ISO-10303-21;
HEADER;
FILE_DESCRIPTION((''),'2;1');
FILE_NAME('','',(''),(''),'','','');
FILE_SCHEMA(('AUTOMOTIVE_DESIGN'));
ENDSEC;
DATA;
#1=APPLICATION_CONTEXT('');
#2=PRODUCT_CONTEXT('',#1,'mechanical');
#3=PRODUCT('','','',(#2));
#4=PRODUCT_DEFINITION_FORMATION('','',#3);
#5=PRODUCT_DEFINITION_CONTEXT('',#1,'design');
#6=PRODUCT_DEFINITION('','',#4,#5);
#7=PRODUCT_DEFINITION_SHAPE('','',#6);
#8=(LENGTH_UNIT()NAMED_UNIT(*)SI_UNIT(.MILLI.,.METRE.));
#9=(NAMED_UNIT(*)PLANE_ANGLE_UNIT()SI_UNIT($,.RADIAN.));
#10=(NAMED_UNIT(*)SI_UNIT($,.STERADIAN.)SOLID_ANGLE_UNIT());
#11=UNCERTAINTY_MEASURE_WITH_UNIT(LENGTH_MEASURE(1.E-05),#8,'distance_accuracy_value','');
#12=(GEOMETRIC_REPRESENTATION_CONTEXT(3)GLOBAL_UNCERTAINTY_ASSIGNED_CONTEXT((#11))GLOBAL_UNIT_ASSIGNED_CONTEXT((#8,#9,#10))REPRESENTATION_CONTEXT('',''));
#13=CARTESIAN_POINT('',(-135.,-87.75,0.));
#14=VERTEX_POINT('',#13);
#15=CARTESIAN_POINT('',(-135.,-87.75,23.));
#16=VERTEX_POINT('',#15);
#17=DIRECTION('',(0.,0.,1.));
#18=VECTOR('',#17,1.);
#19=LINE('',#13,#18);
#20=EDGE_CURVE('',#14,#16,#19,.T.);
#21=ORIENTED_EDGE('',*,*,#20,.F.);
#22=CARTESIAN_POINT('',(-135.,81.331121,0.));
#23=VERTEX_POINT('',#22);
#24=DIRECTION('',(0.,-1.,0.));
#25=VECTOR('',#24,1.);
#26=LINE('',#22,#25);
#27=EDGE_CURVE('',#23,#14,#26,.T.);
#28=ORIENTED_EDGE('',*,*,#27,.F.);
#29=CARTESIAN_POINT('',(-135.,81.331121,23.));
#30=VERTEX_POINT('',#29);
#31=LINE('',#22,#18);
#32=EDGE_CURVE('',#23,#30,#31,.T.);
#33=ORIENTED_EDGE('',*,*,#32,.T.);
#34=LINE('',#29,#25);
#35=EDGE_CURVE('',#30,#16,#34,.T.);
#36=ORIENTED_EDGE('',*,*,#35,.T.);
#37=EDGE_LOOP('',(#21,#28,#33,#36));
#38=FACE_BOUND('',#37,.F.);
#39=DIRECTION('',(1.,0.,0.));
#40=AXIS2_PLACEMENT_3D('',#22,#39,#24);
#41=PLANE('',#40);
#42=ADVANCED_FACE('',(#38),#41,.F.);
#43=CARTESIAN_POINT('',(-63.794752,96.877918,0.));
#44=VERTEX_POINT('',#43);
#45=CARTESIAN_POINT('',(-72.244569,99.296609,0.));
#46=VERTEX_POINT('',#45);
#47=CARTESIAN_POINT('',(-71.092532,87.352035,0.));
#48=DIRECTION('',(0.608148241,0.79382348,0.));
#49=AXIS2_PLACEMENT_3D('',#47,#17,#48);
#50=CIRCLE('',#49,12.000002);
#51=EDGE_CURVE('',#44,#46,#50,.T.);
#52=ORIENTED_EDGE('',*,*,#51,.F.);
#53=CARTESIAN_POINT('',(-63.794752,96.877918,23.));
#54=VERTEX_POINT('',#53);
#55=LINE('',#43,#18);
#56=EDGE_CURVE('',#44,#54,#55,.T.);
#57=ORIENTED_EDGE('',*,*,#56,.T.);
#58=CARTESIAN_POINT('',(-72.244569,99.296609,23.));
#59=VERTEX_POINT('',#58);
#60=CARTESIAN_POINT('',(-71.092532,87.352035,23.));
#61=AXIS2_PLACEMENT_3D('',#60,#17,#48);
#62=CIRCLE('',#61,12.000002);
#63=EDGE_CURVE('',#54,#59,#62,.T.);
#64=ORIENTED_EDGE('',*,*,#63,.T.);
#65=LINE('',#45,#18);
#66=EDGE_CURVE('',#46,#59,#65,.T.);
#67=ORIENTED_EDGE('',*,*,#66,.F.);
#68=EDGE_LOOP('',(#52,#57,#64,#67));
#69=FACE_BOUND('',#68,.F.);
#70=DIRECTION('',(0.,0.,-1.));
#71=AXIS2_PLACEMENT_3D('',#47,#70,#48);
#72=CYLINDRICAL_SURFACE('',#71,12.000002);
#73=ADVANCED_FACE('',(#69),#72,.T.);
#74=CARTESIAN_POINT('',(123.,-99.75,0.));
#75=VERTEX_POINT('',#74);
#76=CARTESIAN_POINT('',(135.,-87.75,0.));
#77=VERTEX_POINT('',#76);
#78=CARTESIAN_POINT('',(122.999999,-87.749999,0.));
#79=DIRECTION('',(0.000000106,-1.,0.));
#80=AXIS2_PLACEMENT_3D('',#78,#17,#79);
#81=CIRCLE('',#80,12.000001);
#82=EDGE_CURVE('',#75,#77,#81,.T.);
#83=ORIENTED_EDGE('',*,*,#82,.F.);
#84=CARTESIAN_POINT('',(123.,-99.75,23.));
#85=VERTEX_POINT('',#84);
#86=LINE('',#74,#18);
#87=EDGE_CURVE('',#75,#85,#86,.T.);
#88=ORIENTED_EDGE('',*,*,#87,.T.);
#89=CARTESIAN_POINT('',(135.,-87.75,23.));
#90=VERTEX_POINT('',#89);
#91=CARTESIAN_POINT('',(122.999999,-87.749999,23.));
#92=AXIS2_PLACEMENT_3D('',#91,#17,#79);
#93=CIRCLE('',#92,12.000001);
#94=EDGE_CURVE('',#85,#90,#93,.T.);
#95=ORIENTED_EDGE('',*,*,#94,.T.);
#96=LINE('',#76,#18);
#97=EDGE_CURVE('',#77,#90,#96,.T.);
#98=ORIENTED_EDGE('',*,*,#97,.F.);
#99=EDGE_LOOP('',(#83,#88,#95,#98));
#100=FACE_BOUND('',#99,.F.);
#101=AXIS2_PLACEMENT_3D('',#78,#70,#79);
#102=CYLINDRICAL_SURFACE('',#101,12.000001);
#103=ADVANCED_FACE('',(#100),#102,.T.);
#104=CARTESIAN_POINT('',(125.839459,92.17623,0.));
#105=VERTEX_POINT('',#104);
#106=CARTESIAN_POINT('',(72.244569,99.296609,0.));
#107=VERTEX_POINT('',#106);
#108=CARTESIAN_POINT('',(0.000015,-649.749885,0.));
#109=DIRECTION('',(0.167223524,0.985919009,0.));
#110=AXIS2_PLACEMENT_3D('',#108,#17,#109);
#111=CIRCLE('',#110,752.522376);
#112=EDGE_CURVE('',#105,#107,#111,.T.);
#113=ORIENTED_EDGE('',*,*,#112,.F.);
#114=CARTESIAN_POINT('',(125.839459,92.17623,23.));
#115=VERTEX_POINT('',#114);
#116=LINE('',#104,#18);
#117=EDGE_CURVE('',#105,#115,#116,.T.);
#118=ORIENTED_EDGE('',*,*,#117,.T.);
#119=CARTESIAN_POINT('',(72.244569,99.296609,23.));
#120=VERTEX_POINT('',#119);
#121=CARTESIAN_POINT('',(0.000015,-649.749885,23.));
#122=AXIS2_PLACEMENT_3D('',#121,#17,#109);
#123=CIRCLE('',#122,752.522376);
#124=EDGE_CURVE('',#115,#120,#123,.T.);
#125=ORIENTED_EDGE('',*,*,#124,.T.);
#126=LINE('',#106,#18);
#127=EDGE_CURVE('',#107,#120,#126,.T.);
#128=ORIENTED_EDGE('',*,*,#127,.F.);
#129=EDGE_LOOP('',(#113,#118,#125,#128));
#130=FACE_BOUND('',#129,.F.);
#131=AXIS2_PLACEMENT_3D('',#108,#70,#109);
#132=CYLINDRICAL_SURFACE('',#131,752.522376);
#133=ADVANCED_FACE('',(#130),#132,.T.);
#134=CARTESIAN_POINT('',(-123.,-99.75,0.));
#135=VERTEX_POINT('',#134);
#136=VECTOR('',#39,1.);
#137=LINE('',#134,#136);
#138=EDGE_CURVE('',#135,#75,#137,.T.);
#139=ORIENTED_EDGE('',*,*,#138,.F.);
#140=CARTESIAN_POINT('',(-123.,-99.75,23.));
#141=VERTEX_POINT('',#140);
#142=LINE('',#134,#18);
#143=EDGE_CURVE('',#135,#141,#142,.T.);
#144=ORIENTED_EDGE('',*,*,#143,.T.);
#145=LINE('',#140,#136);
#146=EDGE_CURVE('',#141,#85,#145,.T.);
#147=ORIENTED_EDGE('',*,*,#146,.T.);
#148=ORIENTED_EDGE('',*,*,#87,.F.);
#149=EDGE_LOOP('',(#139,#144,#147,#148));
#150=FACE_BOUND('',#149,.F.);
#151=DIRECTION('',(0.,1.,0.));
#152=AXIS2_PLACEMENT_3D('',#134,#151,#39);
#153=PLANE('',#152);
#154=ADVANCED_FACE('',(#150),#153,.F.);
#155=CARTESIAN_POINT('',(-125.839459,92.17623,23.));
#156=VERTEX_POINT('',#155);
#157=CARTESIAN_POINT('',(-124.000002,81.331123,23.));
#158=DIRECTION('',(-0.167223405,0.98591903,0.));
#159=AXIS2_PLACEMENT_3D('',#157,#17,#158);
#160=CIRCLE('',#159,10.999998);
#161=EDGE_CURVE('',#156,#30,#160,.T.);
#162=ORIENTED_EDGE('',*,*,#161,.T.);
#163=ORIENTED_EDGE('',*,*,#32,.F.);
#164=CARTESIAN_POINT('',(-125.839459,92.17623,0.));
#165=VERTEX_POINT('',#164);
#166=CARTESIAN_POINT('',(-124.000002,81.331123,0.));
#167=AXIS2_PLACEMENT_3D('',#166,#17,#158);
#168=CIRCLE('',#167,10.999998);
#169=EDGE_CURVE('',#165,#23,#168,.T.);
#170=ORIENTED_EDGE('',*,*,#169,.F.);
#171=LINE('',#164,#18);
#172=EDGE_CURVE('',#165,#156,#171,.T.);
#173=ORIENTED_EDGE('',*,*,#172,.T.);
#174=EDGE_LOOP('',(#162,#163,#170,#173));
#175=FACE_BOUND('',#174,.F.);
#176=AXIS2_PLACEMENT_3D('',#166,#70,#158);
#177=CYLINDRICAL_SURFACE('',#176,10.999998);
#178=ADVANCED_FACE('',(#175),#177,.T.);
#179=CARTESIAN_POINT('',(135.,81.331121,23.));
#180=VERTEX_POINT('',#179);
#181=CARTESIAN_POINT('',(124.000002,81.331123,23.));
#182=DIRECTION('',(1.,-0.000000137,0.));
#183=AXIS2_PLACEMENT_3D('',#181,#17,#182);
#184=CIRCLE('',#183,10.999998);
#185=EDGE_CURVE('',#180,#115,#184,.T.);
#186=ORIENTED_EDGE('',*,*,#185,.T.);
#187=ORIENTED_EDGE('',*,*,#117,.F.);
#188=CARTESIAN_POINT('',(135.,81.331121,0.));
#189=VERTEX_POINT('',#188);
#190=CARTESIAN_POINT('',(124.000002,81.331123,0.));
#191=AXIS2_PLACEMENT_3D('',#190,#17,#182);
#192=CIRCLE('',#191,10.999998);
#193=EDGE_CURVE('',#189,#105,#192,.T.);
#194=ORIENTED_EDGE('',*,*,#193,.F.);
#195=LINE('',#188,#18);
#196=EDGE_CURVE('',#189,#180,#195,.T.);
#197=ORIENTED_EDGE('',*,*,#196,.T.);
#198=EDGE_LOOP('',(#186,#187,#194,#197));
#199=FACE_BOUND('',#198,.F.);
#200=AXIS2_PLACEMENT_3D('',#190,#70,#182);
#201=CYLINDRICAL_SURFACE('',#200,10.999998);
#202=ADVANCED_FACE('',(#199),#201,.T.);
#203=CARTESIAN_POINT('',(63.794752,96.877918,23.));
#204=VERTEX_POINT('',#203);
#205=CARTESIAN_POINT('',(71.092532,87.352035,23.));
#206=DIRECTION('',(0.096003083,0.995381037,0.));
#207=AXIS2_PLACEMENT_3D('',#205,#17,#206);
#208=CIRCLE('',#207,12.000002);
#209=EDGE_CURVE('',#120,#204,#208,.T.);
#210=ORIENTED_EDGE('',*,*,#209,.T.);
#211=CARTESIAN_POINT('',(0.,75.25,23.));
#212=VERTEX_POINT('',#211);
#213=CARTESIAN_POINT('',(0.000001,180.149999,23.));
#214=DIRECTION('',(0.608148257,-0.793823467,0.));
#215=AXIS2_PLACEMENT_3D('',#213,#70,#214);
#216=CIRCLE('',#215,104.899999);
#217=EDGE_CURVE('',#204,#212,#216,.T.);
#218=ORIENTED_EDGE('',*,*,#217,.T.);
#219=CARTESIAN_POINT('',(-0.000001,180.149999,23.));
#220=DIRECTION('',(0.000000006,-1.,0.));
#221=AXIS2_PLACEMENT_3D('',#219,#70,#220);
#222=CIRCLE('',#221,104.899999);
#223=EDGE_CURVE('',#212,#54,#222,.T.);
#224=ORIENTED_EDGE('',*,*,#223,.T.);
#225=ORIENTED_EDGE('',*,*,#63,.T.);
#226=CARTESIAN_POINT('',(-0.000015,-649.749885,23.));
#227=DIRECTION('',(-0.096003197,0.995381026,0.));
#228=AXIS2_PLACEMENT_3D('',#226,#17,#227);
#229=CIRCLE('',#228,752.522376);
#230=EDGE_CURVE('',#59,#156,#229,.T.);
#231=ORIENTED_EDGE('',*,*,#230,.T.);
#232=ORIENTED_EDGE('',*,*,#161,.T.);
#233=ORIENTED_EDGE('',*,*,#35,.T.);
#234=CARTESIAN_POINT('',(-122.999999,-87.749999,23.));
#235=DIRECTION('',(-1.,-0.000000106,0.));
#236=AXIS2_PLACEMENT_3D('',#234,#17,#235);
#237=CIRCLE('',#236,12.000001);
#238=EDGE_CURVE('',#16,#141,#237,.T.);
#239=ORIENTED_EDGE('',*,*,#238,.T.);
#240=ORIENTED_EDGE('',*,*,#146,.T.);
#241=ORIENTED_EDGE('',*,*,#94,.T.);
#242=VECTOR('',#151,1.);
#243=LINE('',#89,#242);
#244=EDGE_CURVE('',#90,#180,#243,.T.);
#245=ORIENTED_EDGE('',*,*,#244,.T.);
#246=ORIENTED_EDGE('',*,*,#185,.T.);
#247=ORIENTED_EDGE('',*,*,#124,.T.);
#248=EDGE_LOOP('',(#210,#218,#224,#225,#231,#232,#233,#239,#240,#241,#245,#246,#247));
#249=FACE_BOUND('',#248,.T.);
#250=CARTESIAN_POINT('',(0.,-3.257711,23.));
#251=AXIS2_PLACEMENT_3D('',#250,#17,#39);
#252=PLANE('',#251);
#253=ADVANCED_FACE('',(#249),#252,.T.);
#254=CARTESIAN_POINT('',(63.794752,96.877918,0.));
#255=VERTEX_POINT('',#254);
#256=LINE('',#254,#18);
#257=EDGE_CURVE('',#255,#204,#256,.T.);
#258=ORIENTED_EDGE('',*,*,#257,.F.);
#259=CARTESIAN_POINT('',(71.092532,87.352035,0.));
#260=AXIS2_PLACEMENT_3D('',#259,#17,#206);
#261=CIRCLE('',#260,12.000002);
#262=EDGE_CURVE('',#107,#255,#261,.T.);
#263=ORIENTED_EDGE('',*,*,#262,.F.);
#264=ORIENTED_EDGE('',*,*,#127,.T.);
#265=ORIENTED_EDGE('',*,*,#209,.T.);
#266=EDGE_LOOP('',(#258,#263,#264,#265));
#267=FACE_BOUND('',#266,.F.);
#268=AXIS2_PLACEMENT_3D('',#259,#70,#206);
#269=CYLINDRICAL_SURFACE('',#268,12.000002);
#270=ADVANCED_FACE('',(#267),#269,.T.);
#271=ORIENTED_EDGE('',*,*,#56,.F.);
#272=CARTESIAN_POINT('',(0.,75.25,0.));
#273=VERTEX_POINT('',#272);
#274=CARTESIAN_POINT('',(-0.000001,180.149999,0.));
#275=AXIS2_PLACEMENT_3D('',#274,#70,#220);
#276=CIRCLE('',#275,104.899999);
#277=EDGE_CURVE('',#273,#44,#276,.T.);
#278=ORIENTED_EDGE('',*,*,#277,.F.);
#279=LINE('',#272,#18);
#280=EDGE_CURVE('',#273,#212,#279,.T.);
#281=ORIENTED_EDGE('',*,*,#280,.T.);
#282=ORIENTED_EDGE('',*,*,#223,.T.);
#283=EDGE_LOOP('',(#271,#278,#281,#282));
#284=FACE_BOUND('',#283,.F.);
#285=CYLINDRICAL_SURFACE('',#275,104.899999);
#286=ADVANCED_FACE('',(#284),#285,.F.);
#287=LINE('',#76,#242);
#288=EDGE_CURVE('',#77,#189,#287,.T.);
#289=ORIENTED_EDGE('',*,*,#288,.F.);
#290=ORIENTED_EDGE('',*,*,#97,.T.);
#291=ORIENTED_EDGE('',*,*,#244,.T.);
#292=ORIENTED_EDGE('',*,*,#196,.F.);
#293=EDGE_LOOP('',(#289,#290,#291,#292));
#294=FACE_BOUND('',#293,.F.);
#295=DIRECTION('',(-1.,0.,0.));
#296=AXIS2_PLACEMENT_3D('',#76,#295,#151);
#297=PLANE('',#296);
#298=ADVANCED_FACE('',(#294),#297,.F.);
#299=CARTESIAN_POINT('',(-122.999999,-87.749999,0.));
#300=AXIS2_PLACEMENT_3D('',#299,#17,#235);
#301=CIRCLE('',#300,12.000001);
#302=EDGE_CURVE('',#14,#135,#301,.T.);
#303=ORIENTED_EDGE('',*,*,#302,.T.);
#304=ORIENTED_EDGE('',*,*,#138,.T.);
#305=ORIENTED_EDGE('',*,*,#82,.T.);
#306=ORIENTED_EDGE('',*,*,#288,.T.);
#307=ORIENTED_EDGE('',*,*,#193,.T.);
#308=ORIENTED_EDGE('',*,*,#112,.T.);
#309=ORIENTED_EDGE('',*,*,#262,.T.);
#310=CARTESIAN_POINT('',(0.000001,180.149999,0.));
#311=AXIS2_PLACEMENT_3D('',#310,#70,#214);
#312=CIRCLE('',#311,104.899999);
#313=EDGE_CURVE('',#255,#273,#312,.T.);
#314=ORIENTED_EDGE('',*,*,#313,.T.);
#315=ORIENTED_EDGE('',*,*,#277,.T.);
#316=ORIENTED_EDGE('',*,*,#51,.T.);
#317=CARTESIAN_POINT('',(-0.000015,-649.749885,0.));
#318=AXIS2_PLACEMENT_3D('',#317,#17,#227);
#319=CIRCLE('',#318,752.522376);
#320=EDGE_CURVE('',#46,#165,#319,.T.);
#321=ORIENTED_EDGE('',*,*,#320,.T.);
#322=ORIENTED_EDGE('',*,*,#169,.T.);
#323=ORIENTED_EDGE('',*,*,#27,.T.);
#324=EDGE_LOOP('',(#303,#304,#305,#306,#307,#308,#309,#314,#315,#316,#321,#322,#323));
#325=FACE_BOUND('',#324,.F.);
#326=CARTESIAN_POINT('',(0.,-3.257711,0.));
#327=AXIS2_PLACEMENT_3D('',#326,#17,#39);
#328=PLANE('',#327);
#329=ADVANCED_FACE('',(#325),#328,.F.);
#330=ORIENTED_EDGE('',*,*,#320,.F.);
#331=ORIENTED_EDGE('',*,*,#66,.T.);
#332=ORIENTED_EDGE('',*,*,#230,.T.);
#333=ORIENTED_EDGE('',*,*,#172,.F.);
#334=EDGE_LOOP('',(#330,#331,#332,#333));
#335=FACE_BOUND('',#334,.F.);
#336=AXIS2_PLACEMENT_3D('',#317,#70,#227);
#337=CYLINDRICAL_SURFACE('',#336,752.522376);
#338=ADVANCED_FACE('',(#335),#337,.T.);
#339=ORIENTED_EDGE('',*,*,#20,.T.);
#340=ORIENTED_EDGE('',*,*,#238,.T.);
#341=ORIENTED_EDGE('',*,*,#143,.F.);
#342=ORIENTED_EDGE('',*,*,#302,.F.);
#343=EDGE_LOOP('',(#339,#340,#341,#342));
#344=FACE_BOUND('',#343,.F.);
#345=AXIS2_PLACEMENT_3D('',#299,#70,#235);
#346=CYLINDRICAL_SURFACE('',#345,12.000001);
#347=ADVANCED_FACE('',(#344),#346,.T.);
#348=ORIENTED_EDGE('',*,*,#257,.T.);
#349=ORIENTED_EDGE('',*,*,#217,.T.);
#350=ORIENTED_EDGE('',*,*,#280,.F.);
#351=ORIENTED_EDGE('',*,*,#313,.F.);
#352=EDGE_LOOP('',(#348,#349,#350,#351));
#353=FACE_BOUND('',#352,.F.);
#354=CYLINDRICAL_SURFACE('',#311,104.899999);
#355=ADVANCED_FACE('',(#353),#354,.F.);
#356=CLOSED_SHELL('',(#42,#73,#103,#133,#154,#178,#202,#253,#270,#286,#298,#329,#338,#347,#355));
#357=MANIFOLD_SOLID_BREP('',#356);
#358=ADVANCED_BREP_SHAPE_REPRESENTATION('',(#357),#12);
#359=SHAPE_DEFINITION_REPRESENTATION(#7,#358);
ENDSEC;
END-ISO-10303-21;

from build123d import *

# Parameters (mm, degrees)
F1_DEPTH = 23


with BuildPart() as f1:
    # F0 (on Top) → F1 (new body)
    with BuildSketch(Plane.XY):
        with BuildLine():
            ThreePointArc((-135, -87.75), (-131.485281, -96.235281), (-123, -99.75))
            Line((-123, -99.75), (123, -99.75))
            ThreePointArc((123, -99.75), (131.485281, -96.235281), (135, -87.75))
            Line((135, -87.75), (135, 81.331121))
            ThreePointArc((135, 81.331121), (132.403394, 88.429218), (125.839459, 92.17623))
            ThreePointArc((125.839459, 92.17623), (99.105981, 96.217898), (72.244569, 99.296609))
            ThreePointArc((72.244569, 99.296609), (67.790252, 98.888715), (63.794752, 96.877918))
            ThreePointArc((63.794752, 96.877918), (33.680622, 80.80401), (0, 75.25))
            ThreePointArc((0, 75.25), (-33.680622, 80.80401), (-63.794752, 96.877918))
            ThreePointArc((-63.794752, 96.877918), (-67.790252, 98.888715), (-72.244569, 99.296609))
            ThreePointArc((-72.244569, 99.296609), (-99.105981, 96.217898), (-125.839459, 92.17623))
            ThreePointArc((-125.839459, 92.17623), (-132.403394, 88.429218), (-135, 81.331121))
            Line((-135, 81.331121), (-135, -87.75))
        make_face()
    extrude(amount=F1_DEPTH)


solid = f1.part
